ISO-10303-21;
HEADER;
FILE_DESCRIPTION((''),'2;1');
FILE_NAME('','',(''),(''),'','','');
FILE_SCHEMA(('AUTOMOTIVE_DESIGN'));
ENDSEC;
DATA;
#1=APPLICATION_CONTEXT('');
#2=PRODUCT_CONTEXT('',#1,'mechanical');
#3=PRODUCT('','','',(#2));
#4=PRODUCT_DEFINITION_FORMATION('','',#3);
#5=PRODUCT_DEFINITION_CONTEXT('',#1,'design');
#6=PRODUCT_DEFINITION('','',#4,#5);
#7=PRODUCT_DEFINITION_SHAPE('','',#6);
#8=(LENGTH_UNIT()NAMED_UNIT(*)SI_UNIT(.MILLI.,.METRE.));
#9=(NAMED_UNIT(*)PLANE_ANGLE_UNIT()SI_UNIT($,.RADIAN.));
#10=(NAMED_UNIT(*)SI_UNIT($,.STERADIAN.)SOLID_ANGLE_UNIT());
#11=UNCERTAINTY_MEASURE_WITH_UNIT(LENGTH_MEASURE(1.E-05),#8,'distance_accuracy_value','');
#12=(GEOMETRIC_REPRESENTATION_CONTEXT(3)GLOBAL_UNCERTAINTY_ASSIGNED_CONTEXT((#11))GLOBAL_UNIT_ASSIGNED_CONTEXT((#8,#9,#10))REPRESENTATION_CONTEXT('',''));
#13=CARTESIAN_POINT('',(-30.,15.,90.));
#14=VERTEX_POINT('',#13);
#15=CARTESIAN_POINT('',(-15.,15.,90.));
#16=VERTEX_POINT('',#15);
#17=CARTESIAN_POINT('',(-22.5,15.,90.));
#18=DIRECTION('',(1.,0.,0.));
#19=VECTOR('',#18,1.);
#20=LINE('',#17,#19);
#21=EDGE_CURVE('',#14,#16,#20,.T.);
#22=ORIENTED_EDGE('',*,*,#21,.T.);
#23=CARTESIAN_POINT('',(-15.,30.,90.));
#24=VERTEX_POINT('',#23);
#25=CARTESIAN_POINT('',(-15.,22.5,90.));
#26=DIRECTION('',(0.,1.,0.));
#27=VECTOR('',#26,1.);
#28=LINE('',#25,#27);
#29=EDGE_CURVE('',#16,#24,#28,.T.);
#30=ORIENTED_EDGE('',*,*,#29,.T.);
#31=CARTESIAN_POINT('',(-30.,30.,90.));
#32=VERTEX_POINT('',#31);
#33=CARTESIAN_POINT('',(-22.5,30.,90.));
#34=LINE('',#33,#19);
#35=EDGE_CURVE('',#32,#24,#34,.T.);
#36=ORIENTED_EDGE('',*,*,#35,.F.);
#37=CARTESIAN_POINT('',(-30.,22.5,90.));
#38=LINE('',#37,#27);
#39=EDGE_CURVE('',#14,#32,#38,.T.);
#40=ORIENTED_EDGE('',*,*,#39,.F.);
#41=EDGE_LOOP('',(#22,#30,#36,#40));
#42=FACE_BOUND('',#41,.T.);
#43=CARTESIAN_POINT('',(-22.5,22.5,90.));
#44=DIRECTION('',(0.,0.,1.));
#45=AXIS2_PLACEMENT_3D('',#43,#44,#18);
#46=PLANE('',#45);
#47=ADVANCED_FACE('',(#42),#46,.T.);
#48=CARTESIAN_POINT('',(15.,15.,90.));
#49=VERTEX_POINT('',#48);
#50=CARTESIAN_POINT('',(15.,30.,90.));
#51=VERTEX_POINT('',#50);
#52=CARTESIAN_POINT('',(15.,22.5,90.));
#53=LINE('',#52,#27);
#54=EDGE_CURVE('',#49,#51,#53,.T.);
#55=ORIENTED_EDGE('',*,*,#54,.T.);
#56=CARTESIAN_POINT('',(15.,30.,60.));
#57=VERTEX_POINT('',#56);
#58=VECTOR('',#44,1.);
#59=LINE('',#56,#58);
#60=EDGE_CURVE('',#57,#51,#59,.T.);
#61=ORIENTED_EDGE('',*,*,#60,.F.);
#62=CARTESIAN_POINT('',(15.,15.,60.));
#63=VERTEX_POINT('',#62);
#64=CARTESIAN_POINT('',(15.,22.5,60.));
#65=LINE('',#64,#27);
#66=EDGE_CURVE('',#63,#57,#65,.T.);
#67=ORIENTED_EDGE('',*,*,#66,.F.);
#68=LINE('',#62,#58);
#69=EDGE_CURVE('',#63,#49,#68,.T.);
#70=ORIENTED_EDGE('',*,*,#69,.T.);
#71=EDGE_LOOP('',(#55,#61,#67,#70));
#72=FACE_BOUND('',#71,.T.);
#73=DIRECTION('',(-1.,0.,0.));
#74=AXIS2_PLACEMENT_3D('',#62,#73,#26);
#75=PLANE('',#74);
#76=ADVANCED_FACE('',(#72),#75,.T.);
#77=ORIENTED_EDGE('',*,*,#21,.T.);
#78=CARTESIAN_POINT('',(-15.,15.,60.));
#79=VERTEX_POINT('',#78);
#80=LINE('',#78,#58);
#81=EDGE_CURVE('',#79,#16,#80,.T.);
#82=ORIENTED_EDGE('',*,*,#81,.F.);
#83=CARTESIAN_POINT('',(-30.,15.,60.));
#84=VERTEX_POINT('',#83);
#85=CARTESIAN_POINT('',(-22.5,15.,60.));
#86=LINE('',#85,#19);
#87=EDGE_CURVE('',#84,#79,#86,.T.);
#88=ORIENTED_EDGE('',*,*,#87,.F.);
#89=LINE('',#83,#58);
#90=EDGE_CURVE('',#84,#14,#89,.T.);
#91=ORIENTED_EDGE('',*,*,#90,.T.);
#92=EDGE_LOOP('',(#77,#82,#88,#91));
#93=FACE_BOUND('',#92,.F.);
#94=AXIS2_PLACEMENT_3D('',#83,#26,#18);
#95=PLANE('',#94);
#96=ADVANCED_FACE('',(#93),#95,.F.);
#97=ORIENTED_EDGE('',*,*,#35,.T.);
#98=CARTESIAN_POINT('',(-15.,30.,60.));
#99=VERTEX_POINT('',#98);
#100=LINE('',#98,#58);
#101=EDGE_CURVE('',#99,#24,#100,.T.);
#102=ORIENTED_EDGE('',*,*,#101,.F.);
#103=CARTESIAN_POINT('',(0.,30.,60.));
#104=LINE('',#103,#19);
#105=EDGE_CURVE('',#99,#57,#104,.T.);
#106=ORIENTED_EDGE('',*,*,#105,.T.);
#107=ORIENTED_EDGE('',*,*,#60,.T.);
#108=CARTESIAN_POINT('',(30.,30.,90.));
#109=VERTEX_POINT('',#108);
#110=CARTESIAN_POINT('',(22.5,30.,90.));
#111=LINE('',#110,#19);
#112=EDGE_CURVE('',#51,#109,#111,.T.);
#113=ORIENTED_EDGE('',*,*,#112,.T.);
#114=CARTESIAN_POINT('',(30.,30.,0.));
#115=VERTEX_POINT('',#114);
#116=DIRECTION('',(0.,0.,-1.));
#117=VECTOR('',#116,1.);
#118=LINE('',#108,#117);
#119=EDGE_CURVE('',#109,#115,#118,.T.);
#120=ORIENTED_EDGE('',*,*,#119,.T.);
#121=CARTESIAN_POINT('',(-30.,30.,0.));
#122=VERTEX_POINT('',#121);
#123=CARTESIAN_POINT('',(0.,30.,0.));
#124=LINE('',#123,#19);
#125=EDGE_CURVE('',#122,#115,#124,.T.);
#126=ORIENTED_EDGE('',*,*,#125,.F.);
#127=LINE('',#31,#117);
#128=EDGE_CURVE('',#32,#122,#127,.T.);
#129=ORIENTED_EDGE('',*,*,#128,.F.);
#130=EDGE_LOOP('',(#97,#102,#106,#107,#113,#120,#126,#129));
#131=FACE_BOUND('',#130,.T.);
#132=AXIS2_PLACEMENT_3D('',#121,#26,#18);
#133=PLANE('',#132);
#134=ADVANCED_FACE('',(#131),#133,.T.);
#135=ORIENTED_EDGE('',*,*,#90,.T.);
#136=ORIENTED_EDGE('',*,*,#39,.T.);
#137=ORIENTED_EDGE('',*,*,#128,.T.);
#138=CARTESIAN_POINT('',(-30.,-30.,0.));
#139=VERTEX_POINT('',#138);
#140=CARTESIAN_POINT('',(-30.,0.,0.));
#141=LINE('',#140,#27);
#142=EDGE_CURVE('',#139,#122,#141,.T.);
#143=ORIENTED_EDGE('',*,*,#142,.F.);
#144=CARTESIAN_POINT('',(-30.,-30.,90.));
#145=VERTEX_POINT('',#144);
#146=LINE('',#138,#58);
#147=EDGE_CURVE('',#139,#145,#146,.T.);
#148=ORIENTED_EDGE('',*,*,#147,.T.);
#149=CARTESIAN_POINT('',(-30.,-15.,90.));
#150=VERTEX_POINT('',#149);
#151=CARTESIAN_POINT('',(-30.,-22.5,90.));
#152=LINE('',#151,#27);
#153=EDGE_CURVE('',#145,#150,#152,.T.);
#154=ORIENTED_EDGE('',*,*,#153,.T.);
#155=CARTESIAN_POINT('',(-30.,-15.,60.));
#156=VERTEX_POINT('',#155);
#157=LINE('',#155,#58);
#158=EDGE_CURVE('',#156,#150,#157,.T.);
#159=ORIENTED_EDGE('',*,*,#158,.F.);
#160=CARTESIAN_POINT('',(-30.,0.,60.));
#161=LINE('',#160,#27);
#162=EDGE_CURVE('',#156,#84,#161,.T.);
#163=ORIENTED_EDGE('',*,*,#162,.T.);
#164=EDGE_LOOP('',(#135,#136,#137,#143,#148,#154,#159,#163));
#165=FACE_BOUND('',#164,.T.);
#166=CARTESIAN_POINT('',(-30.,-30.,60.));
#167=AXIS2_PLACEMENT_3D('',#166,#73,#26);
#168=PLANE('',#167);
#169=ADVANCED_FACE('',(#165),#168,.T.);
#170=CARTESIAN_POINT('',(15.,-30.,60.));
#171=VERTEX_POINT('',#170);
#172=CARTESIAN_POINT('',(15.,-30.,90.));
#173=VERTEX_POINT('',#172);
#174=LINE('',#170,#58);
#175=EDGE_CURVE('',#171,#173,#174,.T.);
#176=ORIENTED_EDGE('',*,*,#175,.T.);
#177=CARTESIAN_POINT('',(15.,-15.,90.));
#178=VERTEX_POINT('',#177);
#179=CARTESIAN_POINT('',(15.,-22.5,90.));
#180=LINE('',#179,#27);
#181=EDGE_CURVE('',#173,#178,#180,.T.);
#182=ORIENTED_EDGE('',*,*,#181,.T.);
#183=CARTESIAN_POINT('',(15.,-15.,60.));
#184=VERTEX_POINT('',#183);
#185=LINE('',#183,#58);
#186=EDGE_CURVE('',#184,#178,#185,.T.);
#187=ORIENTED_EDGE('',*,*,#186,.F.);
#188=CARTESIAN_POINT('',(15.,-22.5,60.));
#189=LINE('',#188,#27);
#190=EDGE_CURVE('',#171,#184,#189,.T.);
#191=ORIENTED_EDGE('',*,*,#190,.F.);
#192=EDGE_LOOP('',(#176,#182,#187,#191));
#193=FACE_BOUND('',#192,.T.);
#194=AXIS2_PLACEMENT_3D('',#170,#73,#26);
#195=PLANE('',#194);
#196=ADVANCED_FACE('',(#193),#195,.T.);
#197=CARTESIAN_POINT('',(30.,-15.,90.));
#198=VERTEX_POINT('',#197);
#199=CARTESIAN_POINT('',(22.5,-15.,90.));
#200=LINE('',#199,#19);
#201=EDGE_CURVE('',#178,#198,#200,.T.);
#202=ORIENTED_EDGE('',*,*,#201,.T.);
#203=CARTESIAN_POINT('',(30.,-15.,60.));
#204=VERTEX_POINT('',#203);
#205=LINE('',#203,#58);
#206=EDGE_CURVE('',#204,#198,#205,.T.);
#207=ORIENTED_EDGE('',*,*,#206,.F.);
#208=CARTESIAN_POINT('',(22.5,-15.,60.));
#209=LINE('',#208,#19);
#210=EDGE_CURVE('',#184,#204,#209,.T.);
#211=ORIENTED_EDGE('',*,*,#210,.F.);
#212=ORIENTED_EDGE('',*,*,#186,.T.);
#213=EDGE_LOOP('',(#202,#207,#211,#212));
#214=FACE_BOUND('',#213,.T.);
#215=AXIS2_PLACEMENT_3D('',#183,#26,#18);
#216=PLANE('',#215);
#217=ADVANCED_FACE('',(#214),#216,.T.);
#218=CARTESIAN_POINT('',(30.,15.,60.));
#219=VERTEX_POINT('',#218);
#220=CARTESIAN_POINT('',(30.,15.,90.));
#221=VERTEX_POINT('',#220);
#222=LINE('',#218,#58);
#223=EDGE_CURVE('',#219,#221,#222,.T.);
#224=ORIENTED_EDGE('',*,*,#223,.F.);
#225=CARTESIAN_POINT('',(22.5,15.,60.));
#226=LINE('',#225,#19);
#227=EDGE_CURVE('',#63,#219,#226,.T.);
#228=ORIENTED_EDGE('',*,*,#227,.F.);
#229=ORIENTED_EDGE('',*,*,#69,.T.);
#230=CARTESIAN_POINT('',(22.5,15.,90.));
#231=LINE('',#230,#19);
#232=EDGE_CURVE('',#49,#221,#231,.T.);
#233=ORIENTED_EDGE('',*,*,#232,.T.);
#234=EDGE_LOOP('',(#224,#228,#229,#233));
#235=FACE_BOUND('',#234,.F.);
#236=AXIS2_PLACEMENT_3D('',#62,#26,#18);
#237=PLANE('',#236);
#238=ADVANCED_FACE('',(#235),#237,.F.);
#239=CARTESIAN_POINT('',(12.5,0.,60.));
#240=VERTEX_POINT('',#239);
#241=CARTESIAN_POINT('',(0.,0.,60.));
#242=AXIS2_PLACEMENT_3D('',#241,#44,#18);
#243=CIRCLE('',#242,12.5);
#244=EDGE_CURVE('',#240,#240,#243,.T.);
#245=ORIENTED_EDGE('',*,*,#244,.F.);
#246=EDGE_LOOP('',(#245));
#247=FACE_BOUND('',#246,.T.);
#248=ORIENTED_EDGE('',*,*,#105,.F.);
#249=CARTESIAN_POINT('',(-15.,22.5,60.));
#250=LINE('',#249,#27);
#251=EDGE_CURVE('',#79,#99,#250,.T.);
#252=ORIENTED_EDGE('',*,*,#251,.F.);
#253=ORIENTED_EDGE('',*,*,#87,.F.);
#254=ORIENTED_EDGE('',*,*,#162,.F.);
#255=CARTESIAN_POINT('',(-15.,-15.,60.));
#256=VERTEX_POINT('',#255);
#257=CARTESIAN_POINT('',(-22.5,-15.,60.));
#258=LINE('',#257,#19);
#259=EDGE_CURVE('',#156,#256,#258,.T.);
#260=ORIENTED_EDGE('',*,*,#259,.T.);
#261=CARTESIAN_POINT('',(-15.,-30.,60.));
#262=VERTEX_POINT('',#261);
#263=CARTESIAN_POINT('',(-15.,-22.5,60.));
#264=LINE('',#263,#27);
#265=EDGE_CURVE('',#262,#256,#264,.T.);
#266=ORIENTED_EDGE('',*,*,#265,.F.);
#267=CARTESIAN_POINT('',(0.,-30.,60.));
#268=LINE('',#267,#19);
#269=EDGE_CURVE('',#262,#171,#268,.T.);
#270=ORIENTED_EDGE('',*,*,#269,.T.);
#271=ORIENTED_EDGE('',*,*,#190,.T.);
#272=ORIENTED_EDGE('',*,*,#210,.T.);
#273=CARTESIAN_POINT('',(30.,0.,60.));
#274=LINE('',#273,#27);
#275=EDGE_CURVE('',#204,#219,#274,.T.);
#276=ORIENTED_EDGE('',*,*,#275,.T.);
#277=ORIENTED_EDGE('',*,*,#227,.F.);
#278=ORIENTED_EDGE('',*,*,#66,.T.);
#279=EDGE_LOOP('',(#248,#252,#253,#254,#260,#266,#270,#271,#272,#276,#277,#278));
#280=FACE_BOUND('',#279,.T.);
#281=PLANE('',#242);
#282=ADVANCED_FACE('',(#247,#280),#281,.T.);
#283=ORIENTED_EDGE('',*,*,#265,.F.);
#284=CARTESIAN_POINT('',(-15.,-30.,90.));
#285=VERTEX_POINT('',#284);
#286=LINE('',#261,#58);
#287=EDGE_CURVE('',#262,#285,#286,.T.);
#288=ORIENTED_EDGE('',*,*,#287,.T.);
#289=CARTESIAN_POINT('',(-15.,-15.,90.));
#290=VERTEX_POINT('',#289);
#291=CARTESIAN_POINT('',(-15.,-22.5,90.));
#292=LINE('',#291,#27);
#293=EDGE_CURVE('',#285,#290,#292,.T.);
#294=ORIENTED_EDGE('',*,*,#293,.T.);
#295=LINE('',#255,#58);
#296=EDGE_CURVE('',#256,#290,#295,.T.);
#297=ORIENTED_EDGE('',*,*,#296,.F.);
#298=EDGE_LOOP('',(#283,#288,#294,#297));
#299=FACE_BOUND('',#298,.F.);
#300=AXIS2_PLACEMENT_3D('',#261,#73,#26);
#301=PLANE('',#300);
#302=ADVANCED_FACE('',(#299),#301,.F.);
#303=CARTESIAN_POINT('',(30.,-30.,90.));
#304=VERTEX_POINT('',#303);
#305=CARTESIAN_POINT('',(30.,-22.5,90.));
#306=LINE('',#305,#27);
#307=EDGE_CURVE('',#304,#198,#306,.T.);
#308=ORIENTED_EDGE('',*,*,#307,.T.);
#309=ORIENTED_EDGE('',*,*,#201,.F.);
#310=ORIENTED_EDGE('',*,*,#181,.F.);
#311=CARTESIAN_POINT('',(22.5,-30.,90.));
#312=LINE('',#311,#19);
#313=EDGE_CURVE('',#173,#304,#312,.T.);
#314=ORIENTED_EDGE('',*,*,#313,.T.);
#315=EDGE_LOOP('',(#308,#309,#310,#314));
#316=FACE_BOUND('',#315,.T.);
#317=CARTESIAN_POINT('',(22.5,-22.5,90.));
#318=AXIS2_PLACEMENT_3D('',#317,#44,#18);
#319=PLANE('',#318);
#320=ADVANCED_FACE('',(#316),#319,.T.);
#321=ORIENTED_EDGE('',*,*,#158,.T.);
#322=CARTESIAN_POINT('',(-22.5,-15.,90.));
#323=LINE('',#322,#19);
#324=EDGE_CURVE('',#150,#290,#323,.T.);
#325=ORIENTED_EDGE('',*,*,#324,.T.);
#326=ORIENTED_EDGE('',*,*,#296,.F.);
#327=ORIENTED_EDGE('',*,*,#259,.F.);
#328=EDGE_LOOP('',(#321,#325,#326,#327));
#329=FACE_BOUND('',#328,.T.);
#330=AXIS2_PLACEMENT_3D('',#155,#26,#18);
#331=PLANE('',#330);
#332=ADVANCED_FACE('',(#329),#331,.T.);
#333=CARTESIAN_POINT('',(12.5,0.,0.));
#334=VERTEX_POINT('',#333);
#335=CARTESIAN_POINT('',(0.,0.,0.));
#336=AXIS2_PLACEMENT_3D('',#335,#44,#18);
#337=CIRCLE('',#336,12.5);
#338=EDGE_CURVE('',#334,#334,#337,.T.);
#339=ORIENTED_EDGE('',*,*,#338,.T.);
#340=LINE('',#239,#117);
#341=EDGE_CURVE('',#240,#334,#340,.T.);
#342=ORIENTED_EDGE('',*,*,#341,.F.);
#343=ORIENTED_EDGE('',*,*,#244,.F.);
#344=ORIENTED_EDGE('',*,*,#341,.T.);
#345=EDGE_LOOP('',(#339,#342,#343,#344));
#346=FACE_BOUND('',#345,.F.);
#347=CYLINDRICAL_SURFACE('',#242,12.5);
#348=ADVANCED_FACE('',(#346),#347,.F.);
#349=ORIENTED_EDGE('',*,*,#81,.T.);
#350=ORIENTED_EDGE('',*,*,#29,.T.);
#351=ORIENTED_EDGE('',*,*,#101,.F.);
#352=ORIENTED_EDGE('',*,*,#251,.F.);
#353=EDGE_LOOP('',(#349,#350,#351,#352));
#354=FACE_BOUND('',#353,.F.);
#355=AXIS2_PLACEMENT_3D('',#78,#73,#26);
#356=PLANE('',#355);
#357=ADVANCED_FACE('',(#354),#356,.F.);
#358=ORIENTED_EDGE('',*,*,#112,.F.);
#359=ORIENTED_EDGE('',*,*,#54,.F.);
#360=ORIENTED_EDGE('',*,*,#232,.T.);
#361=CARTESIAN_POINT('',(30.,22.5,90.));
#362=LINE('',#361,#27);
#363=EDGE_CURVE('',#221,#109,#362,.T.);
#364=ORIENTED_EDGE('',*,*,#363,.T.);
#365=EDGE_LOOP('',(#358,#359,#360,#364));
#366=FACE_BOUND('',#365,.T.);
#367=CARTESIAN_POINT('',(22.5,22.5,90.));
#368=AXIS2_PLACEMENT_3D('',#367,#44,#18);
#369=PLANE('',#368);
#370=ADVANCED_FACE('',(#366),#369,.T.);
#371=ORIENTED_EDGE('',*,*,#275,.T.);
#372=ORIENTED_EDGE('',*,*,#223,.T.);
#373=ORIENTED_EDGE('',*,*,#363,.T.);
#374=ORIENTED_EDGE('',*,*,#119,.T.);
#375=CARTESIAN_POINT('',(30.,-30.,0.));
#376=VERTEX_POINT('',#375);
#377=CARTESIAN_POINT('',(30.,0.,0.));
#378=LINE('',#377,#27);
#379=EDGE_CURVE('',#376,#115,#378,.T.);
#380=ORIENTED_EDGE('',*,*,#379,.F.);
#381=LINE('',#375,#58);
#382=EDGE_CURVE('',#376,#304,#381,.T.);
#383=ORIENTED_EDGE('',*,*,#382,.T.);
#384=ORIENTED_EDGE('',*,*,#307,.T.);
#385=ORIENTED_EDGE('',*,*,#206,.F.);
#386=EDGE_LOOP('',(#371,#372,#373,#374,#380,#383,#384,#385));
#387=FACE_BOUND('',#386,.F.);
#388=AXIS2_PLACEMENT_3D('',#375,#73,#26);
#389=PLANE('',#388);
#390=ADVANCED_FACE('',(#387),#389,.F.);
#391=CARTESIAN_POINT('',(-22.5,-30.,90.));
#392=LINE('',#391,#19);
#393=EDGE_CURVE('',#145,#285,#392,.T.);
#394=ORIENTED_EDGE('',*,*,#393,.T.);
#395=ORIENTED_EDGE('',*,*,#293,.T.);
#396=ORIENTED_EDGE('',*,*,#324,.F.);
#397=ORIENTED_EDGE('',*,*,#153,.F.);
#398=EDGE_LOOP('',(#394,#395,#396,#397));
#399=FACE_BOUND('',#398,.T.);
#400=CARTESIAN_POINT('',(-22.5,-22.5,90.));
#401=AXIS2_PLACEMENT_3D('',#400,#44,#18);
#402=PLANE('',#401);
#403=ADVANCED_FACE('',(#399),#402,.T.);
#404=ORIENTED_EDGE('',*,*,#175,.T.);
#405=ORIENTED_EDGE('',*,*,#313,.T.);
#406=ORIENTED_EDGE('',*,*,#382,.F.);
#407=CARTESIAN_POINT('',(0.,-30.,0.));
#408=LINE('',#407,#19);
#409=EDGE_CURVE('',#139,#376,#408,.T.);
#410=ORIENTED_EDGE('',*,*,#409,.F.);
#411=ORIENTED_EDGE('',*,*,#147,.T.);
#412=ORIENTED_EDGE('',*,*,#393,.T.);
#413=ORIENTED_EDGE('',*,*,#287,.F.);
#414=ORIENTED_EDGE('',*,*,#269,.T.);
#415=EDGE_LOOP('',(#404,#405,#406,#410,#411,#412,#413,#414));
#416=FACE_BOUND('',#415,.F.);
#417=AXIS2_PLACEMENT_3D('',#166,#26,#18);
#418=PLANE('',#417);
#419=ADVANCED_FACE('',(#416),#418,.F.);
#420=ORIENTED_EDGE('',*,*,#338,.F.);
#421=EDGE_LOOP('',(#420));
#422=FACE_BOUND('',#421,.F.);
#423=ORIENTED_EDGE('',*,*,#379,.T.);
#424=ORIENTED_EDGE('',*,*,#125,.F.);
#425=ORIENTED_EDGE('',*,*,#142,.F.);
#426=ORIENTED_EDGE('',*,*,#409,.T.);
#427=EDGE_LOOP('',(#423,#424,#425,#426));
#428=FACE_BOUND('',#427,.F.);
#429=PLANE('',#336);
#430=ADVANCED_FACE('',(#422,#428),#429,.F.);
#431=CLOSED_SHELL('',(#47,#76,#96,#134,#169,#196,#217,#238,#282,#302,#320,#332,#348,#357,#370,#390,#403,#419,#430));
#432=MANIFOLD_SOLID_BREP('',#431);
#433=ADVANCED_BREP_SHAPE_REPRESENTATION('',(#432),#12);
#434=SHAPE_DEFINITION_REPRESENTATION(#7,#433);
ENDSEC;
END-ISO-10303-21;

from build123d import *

# Parameters (mm, degrees)
F0_W     = 60
F0_H     = 60
F1_DEPTH = 60
F2_W     = 15
F2_H     = 15
F3_DEPTH = 30
F4_R     = 12.5
F5_DEPTH = 60


with BuildPart() as f1:
    # F0 (on Top) → F1 (new body)
    with BuildSketch(Plane.XY):
        Rectangle(F0_W, F0_H)
    extrude(amount=F1_DEPTH)

    # F2 (on face) → F3 (join)
    with BuildSketch(Plane.XY.offset(60)):
        with Locations((-22.5, -22.5)):
            Rectangle(F2_W, F2_H)
        with Locations((-22.5, 22.5)):
            Rectangle(F2_W, F2_H)
        with Locations((22.5, 22.5)):
            Rectangle(F2_W, F2_H)
        with Locations((22.5, -22.5)):
            Rectangle(F2_W, F2_H)
    extrude(amount=F3_DEPTH)

    # F4 (on face) → F5 (cut)
    with BuildSketch(Plane.XY.offset(60)):
        Circle(F4_R)
    extrude(amount=-F5_DEPTH, mode=Mode.SUBTRACT)


solid = f1.part
